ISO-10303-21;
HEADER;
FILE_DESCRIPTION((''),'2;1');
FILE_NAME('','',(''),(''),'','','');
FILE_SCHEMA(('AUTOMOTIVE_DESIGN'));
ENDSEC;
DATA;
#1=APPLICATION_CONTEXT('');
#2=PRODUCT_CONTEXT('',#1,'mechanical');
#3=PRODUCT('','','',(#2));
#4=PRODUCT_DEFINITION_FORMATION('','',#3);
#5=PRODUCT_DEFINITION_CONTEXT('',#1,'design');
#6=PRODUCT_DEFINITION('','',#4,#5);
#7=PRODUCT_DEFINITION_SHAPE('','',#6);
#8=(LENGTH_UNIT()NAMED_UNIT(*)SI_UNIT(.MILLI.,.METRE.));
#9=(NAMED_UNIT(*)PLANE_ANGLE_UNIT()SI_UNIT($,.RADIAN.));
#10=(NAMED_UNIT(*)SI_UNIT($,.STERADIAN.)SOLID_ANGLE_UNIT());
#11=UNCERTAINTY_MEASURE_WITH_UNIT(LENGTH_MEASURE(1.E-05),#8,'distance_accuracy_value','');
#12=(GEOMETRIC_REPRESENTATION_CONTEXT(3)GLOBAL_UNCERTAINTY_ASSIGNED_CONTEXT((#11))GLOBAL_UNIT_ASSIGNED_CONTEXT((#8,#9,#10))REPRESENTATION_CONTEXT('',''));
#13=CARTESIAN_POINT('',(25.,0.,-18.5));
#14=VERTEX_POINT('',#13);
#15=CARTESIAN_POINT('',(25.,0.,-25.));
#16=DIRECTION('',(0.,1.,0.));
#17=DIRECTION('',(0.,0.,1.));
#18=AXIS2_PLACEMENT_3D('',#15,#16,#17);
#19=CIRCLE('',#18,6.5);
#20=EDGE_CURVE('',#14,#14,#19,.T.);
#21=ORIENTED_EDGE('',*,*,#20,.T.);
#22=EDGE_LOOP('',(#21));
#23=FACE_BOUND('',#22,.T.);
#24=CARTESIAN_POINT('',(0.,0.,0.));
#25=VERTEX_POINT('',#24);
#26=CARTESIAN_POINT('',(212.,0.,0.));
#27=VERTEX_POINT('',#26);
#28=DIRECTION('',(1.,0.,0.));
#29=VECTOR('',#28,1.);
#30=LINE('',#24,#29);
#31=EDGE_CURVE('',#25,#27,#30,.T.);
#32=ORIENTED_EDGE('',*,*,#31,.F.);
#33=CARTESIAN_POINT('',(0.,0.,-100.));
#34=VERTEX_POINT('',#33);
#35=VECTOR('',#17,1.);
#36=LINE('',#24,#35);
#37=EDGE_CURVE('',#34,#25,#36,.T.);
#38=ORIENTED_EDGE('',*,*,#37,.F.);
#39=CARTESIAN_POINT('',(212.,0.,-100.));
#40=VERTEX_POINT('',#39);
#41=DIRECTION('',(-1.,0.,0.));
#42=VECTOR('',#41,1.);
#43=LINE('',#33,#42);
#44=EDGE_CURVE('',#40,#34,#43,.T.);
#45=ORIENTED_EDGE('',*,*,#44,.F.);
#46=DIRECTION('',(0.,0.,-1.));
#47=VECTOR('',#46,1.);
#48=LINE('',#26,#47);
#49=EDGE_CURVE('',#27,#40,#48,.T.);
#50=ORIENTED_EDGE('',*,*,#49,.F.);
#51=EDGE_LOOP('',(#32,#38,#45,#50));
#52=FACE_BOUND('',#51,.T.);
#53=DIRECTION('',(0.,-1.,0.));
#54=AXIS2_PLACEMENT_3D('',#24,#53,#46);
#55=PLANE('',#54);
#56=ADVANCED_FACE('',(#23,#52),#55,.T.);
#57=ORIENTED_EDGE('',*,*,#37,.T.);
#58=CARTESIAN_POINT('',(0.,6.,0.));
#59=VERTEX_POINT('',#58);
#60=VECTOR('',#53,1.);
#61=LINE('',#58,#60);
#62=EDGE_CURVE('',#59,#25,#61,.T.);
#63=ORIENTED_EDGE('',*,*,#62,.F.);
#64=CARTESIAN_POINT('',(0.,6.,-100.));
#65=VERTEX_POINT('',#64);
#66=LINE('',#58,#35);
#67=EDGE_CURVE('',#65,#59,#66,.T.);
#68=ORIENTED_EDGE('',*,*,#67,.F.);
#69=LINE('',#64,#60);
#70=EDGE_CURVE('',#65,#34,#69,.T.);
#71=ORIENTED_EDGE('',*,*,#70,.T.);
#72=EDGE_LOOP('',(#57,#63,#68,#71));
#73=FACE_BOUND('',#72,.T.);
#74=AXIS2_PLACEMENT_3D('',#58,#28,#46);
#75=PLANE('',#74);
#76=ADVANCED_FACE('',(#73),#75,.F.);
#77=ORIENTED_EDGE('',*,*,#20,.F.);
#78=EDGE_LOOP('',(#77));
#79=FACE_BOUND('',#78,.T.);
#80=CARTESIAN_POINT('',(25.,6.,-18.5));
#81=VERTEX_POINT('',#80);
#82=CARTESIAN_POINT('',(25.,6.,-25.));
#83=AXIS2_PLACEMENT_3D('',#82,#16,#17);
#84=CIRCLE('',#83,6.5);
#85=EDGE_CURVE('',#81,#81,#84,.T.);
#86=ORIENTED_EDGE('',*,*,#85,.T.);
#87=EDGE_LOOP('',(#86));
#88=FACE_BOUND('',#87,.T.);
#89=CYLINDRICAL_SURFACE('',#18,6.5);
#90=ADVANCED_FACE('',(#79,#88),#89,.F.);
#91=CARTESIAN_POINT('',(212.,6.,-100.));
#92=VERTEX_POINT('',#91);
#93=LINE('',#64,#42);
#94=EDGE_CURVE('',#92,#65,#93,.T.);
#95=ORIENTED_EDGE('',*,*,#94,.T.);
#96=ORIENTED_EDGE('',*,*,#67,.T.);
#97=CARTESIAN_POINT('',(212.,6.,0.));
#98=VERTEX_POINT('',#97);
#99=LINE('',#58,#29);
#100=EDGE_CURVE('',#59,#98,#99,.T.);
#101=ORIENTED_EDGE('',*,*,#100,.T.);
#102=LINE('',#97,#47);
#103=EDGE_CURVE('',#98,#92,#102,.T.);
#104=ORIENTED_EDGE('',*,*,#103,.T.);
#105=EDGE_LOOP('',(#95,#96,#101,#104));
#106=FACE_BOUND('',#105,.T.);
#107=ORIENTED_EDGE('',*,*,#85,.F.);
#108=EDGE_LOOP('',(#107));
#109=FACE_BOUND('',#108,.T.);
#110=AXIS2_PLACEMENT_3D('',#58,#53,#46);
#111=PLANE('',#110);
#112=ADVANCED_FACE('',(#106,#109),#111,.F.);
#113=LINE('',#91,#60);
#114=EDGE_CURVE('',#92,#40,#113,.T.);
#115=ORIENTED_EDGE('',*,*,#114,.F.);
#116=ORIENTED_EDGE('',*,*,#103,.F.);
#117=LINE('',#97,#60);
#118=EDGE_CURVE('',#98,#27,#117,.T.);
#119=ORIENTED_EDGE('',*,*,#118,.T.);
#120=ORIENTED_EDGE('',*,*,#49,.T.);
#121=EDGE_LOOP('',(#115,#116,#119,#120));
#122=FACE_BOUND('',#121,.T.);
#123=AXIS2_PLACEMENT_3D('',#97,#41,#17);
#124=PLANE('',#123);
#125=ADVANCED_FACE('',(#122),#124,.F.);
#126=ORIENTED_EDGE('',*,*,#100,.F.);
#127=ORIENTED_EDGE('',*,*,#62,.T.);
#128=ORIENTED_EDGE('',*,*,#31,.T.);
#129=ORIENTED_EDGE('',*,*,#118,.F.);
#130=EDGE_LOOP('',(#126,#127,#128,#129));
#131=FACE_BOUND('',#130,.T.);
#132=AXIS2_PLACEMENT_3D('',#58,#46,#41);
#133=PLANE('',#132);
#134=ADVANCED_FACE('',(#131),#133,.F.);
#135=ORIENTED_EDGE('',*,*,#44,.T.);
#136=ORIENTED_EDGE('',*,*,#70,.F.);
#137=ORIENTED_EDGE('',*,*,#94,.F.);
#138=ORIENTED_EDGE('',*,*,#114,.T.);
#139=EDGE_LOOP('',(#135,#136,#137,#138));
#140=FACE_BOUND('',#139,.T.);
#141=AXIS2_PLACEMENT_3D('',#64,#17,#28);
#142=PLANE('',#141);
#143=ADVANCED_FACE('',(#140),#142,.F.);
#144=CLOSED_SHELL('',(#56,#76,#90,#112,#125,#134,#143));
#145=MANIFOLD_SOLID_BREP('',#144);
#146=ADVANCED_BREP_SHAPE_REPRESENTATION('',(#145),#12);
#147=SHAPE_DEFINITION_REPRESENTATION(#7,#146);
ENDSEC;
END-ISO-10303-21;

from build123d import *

# Parameters (mm, degrees)
SKETCH1_W           = 212
SKETCH1_H           = 100
BOSS_EXTRUDE1_DEPTH = 6
SKETCH2_R           = 6.5
CUT_EXTRUDE1_DEPTH  = 235.478143971


with BuildPart() as part:
    # Sketch1 → Boss-Extrude1 (new body)
    with BuildSketch(Plane(origin=(0, 0, 0), x_dir=(1, 0, 0), z_dir=(0, 1, 0))):
        with Locations((106, 50)):
            Rectangle(SKETCH1_W, SKETCH1_H)
    extrude(amount=BOSS_EXTRUDE1_DEPTH)

    # Sketch2 → Cut-Extrude1 (cut, through all)
    with BuildSketch(Plane(origin=(0, 6, 0), x_dir=(1, 0, 0), z_dir=(0, 1, 0))):
        with Locations(Location((25, 25, 0), (0, 0, 270))):
            Circle(SKETCH2_R)
    extrude(amount=-CUT_EXTRUDE1_DEPTH, mode=Mode.SUBTRACT)


solid = part.part
